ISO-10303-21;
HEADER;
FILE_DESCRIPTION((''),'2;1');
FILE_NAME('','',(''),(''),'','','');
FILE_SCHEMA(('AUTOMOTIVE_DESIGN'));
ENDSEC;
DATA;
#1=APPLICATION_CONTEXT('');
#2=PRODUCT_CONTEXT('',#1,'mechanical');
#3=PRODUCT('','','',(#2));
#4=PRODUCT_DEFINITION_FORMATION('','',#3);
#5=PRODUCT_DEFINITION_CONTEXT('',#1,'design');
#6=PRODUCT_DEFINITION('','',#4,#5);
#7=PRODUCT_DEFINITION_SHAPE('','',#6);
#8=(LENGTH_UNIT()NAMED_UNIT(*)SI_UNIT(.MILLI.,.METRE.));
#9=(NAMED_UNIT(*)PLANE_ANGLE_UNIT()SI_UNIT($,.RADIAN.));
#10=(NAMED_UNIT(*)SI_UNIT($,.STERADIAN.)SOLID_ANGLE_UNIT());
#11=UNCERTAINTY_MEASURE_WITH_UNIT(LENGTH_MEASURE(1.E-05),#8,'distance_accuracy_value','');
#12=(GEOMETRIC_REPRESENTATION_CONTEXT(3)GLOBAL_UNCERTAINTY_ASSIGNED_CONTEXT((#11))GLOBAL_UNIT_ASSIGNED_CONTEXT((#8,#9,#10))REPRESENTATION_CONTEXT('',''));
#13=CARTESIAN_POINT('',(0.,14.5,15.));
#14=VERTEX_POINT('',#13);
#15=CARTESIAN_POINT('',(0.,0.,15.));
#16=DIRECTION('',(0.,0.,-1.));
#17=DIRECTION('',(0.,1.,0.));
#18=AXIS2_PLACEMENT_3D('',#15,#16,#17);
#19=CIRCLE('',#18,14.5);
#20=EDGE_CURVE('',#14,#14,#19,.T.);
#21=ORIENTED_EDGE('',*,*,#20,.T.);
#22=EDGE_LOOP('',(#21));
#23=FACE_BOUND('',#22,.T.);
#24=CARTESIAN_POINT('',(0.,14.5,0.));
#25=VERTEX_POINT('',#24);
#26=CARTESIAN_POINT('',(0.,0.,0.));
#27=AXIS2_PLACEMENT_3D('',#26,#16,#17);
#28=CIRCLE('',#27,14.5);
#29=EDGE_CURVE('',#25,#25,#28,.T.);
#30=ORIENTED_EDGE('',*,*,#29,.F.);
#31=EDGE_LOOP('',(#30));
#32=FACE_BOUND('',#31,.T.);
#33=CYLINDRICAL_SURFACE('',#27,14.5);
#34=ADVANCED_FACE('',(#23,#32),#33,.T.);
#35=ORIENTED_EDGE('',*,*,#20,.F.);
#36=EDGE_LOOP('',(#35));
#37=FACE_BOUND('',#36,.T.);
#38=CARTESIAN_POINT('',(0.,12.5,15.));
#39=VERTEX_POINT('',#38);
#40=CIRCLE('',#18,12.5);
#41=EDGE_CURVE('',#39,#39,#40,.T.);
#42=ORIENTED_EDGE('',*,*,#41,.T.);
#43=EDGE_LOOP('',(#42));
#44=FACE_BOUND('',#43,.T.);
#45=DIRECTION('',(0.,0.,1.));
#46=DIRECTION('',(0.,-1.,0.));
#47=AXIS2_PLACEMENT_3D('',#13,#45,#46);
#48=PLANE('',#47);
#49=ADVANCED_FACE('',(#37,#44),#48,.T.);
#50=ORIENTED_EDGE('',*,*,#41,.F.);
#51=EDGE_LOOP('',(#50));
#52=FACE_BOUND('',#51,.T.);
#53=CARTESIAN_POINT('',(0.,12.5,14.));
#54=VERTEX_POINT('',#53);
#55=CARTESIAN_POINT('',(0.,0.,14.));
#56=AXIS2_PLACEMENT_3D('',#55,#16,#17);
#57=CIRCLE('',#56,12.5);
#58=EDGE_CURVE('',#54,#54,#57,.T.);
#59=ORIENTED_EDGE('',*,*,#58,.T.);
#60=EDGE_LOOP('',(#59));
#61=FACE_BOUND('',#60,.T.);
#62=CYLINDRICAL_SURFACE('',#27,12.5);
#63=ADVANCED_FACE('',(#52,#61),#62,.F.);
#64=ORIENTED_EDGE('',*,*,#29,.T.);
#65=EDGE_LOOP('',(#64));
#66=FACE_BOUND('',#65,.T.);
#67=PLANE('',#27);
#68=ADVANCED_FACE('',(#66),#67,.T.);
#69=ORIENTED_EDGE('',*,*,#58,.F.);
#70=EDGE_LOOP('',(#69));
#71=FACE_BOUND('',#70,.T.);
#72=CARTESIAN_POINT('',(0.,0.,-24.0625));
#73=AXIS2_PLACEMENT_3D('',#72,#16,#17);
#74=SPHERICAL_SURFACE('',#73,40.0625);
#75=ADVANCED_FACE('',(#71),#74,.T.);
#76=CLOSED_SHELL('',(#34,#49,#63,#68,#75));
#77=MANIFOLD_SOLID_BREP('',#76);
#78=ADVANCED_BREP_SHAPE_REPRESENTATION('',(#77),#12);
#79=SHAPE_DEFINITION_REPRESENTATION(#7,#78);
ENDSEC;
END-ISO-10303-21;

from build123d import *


with BuildPart() as part:
    # Sketch1 → Revolve1 (revolve)
    with BuildSketch(Plane(origin=(0, 0, 0), x_dir=(0, 0, -1), z_dir=(1, 0, 0))):
        with BuildLine():
            Line((0, 0), (0, 14.5))
            Line((0, 14.5), (-15, 14.5))
            Line((-15, 14.5), (-15, 12.5))
            Line((-15, 12.5), (-14, 12.5))
            ThreePointArc((-14, 12.5), (-15.496840316, 6.329494451), (-16, 0))
            Line((-16, 0), (0, 0))
        make_face()
    revolve(axis=Axis((0, 0, 0), (0, 0, 1)))


solid = part.part
